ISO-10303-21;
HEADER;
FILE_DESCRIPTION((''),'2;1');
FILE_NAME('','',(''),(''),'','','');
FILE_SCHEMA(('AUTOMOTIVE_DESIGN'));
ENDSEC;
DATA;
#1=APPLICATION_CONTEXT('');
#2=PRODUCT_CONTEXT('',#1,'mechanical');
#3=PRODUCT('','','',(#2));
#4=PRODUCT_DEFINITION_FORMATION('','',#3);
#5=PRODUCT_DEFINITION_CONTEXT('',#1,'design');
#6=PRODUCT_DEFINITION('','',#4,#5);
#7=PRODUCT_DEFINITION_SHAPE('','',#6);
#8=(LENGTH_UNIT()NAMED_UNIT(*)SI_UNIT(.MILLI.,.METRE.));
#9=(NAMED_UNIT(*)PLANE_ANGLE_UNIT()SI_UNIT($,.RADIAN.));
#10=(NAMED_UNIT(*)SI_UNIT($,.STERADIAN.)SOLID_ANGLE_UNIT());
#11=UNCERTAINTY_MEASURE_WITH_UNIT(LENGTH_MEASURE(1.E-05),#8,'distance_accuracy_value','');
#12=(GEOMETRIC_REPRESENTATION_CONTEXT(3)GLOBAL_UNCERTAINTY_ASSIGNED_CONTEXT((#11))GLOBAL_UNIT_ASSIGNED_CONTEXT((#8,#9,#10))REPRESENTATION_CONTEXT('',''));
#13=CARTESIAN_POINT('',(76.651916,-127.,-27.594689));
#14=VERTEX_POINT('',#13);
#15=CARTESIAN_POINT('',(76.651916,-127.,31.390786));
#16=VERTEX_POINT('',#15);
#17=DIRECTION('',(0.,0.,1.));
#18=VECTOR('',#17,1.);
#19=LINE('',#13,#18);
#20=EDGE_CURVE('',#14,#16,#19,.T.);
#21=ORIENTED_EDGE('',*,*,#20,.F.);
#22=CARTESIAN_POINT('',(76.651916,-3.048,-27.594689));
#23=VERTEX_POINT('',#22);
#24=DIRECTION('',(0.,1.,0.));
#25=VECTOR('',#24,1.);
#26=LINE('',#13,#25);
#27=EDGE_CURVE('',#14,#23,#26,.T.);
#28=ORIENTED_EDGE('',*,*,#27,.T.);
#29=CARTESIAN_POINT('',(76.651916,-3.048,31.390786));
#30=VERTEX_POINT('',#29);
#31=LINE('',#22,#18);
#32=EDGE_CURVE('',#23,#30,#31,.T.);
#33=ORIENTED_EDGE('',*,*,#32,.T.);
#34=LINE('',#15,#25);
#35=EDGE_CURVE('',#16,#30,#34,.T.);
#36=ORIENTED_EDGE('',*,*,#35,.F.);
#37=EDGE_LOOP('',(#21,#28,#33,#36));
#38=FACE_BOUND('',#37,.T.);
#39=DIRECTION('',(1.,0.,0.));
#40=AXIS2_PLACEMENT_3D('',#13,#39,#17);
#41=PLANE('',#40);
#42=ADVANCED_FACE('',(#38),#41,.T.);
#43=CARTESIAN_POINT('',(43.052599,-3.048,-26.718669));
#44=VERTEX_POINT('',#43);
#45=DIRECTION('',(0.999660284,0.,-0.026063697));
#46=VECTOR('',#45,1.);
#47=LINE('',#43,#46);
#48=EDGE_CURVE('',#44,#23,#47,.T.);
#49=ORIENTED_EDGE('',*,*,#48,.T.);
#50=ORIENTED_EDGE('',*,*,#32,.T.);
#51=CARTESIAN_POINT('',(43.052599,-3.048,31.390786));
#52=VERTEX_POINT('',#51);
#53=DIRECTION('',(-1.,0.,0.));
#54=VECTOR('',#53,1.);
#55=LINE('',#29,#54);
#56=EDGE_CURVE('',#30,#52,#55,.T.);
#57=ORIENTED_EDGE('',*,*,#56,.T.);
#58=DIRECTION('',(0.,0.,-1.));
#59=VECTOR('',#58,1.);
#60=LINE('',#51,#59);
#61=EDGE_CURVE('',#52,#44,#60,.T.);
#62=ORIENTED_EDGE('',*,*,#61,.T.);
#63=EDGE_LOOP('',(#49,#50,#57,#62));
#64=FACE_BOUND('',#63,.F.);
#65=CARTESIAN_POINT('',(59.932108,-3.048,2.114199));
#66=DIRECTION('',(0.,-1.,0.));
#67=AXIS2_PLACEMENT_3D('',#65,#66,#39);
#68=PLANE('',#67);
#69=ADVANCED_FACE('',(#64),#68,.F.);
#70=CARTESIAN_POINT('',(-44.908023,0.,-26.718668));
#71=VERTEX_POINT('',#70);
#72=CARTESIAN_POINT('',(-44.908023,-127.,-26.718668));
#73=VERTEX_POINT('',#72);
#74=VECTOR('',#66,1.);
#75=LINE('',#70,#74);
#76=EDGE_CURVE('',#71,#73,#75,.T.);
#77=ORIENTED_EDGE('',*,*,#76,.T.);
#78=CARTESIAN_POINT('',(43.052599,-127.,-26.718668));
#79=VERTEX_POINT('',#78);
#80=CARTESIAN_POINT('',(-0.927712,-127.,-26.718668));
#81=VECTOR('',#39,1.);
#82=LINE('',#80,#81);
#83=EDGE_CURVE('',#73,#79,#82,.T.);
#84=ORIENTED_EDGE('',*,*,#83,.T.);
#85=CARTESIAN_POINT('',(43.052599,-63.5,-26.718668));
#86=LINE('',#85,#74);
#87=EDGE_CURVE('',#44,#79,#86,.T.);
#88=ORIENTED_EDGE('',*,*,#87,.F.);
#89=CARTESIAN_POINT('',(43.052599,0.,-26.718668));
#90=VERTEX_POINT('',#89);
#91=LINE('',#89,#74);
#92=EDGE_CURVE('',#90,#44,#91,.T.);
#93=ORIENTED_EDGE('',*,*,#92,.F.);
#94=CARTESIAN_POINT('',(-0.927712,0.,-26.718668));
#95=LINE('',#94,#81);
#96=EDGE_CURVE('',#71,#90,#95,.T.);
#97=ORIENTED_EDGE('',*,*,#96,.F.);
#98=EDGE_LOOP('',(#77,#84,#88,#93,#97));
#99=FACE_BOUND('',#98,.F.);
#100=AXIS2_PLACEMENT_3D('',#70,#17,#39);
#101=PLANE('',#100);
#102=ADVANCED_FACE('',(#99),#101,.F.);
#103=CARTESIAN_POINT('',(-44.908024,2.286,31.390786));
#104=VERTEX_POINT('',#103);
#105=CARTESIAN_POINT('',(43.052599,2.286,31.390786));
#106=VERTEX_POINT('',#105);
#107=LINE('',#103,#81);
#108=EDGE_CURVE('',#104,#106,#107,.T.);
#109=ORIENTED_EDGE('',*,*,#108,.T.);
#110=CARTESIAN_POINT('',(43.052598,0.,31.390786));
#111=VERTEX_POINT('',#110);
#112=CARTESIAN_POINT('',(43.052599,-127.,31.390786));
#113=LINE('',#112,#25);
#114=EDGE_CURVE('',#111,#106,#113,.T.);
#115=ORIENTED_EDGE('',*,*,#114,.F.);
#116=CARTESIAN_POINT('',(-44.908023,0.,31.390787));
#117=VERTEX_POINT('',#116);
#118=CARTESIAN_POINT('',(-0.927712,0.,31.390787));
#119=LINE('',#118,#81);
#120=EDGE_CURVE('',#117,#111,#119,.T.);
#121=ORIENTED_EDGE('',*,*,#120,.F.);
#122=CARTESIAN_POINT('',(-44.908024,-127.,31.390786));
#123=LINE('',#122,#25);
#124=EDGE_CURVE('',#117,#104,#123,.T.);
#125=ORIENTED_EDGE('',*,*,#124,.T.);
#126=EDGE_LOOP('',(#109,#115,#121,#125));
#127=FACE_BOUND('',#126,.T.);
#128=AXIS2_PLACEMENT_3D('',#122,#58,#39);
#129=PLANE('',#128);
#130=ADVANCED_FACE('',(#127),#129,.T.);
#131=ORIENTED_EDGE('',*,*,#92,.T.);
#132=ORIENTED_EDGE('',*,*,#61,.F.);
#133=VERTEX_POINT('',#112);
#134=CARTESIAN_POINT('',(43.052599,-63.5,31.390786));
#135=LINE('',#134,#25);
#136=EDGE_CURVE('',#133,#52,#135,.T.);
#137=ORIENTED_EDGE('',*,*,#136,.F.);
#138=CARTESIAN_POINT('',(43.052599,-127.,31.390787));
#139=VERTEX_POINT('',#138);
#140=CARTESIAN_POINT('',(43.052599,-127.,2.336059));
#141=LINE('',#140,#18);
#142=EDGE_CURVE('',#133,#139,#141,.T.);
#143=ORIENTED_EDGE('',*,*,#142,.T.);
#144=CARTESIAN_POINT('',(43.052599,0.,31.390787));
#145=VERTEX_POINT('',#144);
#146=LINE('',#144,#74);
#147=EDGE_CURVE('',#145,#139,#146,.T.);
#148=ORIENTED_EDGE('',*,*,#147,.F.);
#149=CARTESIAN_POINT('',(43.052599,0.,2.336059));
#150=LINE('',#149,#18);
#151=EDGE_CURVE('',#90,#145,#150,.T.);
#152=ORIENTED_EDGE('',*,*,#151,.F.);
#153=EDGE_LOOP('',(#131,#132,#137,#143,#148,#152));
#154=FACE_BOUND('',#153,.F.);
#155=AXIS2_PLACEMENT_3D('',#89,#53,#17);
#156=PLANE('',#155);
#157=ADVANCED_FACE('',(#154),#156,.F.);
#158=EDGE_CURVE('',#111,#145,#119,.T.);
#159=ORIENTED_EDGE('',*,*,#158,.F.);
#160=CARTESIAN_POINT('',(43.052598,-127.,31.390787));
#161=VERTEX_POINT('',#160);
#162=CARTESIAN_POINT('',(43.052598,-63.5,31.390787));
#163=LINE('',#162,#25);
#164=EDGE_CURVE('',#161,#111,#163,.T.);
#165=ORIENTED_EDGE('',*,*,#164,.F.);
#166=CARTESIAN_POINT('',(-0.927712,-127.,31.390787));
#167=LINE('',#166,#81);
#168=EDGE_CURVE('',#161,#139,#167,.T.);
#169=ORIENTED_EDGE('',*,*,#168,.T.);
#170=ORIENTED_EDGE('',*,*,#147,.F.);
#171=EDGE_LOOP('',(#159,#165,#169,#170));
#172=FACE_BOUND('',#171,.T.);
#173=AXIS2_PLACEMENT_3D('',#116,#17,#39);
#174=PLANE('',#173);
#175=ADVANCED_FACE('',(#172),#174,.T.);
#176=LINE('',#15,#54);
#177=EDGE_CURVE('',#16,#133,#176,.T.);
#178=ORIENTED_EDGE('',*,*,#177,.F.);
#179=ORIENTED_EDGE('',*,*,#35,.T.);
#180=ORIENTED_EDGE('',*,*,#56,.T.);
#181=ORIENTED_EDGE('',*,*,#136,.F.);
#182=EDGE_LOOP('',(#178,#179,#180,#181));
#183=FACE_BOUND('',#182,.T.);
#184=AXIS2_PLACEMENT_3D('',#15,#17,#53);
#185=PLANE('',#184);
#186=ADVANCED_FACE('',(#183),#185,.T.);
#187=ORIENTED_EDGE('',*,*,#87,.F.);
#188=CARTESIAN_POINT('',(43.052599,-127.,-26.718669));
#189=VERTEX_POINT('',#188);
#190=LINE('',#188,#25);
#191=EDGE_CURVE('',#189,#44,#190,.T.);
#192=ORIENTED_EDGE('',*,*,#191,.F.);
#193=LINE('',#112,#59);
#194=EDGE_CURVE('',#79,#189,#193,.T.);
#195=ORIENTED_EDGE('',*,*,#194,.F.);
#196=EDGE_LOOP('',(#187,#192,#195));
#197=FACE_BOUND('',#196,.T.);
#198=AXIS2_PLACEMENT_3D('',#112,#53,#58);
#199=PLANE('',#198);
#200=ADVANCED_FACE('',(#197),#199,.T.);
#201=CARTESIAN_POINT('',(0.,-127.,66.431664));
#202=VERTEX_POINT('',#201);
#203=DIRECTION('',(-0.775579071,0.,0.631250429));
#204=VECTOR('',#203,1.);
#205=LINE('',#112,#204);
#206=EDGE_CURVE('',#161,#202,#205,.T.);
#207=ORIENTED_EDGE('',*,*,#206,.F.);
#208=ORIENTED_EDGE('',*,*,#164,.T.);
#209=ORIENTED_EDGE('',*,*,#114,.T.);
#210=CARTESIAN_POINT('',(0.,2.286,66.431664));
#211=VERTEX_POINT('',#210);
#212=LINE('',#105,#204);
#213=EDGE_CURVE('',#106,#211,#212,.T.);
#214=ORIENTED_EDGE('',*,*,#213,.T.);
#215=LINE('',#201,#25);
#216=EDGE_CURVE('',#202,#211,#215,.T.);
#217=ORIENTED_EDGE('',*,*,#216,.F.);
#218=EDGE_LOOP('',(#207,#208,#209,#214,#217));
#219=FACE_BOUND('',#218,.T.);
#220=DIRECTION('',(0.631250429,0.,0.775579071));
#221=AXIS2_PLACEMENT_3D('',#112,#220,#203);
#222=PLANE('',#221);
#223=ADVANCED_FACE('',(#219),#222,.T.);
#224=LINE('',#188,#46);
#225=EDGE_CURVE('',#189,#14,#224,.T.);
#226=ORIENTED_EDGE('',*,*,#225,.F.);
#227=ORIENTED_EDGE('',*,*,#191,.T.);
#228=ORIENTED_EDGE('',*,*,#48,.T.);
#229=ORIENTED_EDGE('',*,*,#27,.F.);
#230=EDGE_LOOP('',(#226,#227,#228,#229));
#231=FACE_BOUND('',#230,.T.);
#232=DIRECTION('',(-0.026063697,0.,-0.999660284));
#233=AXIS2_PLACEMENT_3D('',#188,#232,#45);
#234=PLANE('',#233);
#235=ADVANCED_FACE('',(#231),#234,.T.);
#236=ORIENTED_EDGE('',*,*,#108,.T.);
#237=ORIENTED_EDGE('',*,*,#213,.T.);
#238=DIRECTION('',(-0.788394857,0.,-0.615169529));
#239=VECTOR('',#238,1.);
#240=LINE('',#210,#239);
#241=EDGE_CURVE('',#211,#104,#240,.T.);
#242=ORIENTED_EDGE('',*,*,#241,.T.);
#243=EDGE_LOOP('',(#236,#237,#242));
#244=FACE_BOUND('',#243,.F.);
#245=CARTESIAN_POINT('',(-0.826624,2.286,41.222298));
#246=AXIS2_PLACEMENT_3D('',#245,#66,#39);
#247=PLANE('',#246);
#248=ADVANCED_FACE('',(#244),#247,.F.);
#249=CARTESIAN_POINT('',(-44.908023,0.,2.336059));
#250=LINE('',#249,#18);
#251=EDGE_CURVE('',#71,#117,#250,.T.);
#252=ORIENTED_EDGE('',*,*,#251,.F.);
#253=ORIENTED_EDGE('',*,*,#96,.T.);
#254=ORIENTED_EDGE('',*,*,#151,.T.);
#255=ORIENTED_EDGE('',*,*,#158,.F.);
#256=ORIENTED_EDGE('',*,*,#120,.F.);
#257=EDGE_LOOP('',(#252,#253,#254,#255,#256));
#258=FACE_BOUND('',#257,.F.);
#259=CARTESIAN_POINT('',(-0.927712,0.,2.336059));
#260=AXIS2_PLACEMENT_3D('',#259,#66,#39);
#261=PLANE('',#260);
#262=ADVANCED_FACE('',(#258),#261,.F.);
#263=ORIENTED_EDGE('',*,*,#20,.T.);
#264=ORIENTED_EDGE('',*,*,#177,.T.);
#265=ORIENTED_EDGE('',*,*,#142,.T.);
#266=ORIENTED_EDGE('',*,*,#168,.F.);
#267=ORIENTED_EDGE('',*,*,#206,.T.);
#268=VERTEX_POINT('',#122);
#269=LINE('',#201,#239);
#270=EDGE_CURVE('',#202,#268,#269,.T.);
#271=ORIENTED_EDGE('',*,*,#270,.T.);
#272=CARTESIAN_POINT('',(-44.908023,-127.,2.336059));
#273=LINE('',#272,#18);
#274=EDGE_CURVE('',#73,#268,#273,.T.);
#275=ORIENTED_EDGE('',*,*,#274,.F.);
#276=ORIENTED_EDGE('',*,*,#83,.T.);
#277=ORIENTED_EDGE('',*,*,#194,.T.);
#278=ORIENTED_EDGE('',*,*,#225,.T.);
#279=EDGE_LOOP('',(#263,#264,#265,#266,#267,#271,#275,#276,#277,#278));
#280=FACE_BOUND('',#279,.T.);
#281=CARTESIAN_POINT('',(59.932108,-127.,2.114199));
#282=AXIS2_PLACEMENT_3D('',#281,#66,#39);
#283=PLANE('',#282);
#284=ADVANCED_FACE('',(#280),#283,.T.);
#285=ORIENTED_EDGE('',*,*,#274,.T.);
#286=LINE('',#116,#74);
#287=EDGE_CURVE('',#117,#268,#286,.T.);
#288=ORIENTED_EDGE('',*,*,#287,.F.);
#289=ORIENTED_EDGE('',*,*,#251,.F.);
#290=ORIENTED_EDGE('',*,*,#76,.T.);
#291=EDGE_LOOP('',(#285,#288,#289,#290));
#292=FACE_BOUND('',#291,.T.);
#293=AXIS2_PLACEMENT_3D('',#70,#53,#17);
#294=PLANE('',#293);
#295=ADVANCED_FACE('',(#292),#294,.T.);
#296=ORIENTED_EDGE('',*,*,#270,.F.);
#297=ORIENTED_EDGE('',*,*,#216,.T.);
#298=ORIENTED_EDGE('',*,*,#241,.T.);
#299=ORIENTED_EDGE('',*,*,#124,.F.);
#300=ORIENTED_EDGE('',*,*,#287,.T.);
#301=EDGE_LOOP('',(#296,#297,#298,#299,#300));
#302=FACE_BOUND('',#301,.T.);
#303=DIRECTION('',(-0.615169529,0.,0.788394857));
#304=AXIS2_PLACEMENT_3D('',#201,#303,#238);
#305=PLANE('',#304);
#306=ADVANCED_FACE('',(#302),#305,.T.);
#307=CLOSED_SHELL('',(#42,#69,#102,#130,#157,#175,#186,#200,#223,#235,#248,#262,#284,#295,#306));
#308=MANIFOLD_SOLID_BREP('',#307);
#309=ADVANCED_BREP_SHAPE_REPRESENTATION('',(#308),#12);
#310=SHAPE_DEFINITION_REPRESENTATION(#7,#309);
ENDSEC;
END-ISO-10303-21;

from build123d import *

# Parameters (mm, degrees)
F0_W     = 87.960623
F0_H     = 58.109455
F1_DEPTH = 127
F3_DEPTH = 129.286
F5_DEPTH = 123.952


with BuildPart() as f1:
    # F0 (on Front) → F1 (new body)
    with BuildSketch(Plane.XZ):
        with Locations((-0.927712, 2.336059)):
            Rectangle(F0_W, F0_H)
    extrude(amount=F1_DEPTH)

    # F2 (on face) → F3 (join)
    with BuildSketch(Plane.XZ.offset(127)):
        Polygon((0, 66.431664), (-44.908024, 31.390786), (43.052599, 31.390786), align=None)
    extrude(amount=-F3_DEPTH)

    # F4 (on face) → F5 (join)
    with BuildSketch(Plane.XZ.offset(127)):
        Polygon((76.651916, 31.390786), (43.052599, 31.390786), (43.052599, -26.718669), (76.651916, -27.594689), align=None)
    extrude(amount=-F5_DEPTH)


solid = f1.part
